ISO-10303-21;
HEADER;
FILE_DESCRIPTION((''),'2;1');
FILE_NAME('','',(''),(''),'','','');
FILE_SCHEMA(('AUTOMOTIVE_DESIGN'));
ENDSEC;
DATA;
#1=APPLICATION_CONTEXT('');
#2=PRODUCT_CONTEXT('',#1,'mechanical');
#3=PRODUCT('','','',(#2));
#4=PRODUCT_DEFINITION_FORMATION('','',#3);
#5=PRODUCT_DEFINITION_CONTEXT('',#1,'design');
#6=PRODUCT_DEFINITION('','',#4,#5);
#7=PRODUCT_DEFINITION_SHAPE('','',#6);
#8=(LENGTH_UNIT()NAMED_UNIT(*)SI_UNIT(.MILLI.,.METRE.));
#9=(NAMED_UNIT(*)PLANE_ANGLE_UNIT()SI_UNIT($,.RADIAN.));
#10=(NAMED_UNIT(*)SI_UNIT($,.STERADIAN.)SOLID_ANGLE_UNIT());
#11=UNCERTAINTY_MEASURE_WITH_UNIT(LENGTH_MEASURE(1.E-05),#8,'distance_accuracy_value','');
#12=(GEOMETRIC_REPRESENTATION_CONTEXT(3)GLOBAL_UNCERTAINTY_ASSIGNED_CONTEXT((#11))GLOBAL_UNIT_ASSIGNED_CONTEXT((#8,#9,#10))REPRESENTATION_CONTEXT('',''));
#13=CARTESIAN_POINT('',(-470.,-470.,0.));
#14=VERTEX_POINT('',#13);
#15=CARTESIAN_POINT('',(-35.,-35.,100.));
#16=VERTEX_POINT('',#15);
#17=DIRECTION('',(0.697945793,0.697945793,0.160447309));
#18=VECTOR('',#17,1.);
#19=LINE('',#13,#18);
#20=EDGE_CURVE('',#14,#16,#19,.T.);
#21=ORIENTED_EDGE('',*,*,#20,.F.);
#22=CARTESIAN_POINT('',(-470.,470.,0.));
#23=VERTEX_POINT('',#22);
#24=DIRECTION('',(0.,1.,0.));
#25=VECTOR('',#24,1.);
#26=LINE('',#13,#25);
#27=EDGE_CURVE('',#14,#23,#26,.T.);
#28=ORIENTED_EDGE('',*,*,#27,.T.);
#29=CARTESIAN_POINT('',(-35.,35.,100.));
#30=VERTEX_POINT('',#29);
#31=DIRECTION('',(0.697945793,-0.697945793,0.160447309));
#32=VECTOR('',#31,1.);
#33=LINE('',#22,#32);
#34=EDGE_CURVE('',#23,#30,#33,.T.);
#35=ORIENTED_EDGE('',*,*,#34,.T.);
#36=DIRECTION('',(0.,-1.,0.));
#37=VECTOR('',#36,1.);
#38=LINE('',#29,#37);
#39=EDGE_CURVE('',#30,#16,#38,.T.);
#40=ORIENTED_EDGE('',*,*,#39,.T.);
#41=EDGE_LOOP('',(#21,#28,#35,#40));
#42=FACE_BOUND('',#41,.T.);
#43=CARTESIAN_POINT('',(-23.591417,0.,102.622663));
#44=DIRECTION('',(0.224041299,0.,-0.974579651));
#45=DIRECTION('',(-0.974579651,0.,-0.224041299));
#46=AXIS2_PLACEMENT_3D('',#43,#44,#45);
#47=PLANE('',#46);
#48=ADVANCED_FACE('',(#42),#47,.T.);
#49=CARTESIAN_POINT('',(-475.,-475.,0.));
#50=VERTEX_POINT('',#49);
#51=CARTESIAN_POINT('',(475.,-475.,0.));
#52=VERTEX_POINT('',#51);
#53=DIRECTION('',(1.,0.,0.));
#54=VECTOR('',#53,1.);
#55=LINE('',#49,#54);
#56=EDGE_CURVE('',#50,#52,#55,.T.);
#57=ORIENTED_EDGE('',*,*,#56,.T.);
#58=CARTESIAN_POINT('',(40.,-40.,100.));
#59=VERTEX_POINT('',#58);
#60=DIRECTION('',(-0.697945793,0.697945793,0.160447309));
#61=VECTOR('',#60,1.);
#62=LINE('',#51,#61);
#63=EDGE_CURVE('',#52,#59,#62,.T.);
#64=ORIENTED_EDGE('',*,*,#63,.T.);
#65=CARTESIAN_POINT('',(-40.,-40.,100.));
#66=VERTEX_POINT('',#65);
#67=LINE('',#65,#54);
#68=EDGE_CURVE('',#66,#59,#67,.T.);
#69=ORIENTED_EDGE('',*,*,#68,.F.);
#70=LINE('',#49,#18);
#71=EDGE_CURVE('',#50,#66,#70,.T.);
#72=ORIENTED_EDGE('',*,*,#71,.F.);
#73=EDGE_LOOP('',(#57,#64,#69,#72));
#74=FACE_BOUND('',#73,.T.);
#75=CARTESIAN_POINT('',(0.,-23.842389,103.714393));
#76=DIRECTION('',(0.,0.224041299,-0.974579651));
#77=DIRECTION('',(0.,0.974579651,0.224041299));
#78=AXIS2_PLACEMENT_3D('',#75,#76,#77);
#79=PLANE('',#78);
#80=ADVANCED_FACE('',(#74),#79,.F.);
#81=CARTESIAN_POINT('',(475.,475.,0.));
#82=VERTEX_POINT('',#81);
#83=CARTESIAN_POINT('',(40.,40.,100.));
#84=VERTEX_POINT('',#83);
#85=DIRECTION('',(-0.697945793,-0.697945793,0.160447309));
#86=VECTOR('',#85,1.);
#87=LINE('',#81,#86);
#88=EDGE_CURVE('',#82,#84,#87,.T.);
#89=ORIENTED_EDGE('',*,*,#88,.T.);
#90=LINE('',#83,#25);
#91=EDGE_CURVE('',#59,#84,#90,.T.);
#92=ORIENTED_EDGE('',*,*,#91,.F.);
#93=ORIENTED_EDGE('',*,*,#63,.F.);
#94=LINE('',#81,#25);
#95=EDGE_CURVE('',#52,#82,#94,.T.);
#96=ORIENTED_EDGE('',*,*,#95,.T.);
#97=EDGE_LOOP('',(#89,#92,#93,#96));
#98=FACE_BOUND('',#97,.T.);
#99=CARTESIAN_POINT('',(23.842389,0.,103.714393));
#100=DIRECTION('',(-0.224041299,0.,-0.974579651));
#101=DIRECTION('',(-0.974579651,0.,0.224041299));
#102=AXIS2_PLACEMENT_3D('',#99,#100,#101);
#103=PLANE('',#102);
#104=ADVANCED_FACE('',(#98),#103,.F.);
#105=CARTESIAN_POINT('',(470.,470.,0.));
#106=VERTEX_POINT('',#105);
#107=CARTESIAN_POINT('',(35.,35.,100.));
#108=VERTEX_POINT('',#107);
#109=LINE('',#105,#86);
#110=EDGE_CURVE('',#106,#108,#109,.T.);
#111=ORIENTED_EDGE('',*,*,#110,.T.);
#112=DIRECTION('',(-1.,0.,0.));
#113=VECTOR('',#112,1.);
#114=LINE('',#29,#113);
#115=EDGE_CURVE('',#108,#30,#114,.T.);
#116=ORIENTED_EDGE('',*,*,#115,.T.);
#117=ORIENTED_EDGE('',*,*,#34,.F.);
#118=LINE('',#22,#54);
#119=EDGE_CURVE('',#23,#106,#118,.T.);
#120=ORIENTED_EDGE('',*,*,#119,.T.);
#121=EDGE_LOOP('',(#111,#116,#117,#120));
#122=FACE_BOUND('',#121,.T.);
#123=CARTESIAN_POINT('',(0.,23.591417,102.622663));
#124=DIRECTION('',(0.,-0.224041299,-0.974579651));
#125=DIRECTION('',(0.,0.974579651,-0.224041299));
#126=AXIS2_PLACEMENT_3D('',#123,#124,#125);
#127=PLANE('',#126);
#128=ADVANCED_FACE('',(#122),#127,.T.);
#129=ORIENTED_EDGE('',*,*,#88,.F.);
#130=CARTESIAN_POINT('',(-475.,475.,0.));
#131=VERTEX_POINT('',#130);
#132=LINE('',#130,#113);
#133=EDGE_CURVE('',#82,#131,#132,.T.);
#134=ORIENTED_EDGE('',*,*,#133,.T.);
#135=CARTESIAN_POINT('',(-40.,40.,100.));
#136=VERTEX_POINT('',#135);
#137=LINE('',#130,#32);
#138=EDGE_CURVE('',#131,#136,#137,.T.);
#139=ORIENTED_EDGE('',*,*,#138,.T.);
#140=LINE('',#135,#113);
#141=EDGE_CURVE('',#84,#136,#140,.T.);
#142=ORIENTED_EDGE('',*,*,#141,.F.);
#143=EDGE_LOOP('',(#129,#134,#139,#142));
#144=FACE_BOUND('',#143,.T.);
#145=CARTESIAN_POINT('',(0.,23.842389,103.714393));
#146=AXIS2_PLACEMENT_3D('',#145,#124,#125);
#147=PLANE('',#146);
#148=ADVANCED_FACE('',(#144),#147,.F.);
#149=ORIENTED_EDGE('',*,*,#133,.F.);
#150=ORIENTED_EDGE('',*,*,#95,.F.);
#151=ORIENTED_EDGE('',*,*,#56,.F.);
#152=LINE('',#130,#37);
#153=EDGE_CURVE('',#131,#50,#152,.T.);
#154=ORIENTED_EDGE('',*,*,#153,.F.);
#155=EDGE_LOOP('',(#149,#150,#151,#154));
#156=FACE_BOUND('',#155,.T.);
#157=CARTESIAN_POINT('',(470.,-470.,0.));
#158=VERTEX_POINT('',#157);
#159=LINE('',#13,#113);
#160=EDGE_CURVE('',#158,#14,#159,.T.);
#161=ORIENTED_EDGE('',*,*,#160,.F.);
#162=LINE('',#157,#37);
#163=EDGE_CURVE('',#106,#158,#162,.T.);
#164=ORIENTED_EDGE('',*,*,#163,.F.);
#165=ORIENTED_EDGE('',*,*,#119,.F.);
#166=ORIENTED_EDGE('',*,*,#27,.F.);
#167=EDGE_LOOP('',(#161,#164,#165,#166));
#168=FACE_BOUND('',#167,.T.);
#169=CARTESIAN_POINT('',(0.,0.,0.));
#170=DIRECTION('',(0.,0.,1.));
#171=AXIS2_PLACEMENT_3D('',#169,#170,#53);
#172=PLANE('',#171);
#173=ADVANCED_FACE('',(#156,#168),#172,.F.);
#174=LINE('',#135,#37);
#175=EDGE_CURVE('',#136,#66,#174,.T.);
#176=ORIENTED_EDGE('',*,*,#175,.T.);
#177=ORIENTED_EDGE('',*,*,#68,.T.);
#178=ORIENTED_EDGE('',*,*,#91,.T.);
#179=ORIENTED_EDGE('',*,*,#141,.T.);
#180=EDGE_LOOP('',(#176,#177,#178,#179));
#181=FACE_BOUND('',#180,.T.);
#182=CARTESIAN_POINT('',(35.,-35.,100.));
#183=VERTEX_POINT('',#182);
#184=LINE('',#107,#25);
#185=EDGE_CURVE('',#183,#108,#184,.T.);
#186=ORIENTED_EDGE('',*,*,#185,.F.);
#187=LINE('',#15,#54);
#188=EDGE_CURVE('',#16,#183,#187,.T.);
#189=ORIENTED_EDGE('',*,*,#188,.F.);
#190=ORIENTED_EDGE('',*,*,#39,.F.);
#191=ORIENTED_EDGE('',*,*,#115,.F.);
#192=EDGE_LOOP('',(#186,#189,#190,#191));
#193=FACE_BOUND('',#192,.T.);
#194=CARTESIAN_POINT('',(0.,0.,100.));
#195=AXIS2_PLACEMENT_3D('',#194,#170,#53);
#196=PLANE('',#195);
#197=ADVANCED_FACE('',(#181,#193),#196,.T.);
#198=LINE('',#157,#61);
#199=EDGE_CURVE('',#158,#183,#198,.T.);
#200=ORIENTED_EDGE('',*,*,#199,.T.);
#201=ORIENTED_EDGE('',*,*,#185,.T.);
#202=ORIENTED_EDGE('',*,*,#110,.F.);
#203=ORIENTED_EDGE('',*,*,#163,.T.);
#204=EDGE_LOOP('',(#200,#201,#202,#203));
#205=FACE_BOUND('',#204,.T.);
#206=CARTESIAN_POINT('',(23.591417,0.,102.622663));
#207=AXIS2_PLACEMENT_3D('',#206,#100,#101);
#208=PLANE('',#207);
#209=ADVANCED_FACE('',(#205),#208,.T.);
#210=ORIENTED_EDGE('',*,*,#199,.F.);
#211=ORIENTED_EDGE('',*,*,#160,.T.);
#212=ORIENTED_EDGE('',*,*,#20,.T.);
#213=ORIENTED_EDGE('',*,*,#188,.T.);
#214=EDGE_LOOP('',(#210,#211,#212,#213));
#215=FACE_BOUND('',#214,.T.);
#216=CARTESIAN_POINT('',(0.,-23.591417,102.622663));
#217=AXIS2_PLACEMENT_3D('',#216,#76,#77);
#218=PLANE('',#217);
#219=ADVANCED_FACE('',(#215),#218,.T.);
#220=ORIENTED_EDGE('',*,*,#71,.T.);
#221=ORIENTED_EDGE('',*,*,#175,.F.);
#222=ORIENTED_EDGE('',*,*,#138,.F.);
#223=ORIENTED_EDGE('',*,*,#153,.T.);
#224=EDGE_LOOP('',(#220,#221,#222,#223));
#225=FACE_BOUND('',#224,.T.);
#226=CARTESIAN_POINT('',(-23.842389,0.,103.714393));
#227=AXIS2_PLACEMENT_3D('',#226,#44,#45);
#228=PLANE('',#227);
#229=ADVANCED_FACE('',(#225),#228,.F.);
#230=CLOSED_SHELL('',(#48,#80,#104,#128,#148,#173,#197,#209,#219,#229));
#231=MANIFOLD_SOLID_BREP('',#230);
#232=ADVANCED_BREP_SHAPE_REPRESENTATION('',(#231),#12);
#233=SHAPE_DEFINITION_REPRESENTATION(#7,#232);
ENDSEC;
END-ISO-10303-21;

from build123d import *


with BuildPart() as part:
    # 草图1 → Loft 1 section 0
    with BuildSketch(Plane.XY):
        with BuildLine():
            Line((-475, 475), (475, 475))
            Line((475, 475), (475, -475))
            Line((475, -475), (-475, -475))
            Line((-475, -475), (-475, 475))
        make_face()
    # 草图2 → Loft 1 section 1
    with BuildSketch(Plane.XY.offset(100)):
        with BuildLine():
            Line((-40, 40), (40, 40))
            Line((40, 40), (40, -40))
            Line((40, -40), (-40, -40))
            Line((-40, -40), (-40, 40))
        make_face()
    loft()

    # 草图3 → Loft 1 2 section 0
    with BuildSketch(Plane(origin=(0, 0, 0), x_dir=(-1, 0, 0), z_dir=(0, 0, -1))):
        with BuildLine():
            Line((470, -470), (-470, -470))
            Line((-470, -470), (-470, 470))
            Line((-470, 470), (470, 470))
            Line((470, 470), (470, -470))
        make_face()
    # 草图4 → Loft 1 2 section 1
    with BuildSketch(Plane.XY.offset(100)):
        with BuildLine():
            Line((-35, 35), (35, 35))
            Line((35, 35), (35, -35))
            Line((35, -35), (-35, -35))
            Line((-35, -35), (-35, 35))
        make_face()
    loft(mode=Mode.SUBTRACT)


solid = part.part
